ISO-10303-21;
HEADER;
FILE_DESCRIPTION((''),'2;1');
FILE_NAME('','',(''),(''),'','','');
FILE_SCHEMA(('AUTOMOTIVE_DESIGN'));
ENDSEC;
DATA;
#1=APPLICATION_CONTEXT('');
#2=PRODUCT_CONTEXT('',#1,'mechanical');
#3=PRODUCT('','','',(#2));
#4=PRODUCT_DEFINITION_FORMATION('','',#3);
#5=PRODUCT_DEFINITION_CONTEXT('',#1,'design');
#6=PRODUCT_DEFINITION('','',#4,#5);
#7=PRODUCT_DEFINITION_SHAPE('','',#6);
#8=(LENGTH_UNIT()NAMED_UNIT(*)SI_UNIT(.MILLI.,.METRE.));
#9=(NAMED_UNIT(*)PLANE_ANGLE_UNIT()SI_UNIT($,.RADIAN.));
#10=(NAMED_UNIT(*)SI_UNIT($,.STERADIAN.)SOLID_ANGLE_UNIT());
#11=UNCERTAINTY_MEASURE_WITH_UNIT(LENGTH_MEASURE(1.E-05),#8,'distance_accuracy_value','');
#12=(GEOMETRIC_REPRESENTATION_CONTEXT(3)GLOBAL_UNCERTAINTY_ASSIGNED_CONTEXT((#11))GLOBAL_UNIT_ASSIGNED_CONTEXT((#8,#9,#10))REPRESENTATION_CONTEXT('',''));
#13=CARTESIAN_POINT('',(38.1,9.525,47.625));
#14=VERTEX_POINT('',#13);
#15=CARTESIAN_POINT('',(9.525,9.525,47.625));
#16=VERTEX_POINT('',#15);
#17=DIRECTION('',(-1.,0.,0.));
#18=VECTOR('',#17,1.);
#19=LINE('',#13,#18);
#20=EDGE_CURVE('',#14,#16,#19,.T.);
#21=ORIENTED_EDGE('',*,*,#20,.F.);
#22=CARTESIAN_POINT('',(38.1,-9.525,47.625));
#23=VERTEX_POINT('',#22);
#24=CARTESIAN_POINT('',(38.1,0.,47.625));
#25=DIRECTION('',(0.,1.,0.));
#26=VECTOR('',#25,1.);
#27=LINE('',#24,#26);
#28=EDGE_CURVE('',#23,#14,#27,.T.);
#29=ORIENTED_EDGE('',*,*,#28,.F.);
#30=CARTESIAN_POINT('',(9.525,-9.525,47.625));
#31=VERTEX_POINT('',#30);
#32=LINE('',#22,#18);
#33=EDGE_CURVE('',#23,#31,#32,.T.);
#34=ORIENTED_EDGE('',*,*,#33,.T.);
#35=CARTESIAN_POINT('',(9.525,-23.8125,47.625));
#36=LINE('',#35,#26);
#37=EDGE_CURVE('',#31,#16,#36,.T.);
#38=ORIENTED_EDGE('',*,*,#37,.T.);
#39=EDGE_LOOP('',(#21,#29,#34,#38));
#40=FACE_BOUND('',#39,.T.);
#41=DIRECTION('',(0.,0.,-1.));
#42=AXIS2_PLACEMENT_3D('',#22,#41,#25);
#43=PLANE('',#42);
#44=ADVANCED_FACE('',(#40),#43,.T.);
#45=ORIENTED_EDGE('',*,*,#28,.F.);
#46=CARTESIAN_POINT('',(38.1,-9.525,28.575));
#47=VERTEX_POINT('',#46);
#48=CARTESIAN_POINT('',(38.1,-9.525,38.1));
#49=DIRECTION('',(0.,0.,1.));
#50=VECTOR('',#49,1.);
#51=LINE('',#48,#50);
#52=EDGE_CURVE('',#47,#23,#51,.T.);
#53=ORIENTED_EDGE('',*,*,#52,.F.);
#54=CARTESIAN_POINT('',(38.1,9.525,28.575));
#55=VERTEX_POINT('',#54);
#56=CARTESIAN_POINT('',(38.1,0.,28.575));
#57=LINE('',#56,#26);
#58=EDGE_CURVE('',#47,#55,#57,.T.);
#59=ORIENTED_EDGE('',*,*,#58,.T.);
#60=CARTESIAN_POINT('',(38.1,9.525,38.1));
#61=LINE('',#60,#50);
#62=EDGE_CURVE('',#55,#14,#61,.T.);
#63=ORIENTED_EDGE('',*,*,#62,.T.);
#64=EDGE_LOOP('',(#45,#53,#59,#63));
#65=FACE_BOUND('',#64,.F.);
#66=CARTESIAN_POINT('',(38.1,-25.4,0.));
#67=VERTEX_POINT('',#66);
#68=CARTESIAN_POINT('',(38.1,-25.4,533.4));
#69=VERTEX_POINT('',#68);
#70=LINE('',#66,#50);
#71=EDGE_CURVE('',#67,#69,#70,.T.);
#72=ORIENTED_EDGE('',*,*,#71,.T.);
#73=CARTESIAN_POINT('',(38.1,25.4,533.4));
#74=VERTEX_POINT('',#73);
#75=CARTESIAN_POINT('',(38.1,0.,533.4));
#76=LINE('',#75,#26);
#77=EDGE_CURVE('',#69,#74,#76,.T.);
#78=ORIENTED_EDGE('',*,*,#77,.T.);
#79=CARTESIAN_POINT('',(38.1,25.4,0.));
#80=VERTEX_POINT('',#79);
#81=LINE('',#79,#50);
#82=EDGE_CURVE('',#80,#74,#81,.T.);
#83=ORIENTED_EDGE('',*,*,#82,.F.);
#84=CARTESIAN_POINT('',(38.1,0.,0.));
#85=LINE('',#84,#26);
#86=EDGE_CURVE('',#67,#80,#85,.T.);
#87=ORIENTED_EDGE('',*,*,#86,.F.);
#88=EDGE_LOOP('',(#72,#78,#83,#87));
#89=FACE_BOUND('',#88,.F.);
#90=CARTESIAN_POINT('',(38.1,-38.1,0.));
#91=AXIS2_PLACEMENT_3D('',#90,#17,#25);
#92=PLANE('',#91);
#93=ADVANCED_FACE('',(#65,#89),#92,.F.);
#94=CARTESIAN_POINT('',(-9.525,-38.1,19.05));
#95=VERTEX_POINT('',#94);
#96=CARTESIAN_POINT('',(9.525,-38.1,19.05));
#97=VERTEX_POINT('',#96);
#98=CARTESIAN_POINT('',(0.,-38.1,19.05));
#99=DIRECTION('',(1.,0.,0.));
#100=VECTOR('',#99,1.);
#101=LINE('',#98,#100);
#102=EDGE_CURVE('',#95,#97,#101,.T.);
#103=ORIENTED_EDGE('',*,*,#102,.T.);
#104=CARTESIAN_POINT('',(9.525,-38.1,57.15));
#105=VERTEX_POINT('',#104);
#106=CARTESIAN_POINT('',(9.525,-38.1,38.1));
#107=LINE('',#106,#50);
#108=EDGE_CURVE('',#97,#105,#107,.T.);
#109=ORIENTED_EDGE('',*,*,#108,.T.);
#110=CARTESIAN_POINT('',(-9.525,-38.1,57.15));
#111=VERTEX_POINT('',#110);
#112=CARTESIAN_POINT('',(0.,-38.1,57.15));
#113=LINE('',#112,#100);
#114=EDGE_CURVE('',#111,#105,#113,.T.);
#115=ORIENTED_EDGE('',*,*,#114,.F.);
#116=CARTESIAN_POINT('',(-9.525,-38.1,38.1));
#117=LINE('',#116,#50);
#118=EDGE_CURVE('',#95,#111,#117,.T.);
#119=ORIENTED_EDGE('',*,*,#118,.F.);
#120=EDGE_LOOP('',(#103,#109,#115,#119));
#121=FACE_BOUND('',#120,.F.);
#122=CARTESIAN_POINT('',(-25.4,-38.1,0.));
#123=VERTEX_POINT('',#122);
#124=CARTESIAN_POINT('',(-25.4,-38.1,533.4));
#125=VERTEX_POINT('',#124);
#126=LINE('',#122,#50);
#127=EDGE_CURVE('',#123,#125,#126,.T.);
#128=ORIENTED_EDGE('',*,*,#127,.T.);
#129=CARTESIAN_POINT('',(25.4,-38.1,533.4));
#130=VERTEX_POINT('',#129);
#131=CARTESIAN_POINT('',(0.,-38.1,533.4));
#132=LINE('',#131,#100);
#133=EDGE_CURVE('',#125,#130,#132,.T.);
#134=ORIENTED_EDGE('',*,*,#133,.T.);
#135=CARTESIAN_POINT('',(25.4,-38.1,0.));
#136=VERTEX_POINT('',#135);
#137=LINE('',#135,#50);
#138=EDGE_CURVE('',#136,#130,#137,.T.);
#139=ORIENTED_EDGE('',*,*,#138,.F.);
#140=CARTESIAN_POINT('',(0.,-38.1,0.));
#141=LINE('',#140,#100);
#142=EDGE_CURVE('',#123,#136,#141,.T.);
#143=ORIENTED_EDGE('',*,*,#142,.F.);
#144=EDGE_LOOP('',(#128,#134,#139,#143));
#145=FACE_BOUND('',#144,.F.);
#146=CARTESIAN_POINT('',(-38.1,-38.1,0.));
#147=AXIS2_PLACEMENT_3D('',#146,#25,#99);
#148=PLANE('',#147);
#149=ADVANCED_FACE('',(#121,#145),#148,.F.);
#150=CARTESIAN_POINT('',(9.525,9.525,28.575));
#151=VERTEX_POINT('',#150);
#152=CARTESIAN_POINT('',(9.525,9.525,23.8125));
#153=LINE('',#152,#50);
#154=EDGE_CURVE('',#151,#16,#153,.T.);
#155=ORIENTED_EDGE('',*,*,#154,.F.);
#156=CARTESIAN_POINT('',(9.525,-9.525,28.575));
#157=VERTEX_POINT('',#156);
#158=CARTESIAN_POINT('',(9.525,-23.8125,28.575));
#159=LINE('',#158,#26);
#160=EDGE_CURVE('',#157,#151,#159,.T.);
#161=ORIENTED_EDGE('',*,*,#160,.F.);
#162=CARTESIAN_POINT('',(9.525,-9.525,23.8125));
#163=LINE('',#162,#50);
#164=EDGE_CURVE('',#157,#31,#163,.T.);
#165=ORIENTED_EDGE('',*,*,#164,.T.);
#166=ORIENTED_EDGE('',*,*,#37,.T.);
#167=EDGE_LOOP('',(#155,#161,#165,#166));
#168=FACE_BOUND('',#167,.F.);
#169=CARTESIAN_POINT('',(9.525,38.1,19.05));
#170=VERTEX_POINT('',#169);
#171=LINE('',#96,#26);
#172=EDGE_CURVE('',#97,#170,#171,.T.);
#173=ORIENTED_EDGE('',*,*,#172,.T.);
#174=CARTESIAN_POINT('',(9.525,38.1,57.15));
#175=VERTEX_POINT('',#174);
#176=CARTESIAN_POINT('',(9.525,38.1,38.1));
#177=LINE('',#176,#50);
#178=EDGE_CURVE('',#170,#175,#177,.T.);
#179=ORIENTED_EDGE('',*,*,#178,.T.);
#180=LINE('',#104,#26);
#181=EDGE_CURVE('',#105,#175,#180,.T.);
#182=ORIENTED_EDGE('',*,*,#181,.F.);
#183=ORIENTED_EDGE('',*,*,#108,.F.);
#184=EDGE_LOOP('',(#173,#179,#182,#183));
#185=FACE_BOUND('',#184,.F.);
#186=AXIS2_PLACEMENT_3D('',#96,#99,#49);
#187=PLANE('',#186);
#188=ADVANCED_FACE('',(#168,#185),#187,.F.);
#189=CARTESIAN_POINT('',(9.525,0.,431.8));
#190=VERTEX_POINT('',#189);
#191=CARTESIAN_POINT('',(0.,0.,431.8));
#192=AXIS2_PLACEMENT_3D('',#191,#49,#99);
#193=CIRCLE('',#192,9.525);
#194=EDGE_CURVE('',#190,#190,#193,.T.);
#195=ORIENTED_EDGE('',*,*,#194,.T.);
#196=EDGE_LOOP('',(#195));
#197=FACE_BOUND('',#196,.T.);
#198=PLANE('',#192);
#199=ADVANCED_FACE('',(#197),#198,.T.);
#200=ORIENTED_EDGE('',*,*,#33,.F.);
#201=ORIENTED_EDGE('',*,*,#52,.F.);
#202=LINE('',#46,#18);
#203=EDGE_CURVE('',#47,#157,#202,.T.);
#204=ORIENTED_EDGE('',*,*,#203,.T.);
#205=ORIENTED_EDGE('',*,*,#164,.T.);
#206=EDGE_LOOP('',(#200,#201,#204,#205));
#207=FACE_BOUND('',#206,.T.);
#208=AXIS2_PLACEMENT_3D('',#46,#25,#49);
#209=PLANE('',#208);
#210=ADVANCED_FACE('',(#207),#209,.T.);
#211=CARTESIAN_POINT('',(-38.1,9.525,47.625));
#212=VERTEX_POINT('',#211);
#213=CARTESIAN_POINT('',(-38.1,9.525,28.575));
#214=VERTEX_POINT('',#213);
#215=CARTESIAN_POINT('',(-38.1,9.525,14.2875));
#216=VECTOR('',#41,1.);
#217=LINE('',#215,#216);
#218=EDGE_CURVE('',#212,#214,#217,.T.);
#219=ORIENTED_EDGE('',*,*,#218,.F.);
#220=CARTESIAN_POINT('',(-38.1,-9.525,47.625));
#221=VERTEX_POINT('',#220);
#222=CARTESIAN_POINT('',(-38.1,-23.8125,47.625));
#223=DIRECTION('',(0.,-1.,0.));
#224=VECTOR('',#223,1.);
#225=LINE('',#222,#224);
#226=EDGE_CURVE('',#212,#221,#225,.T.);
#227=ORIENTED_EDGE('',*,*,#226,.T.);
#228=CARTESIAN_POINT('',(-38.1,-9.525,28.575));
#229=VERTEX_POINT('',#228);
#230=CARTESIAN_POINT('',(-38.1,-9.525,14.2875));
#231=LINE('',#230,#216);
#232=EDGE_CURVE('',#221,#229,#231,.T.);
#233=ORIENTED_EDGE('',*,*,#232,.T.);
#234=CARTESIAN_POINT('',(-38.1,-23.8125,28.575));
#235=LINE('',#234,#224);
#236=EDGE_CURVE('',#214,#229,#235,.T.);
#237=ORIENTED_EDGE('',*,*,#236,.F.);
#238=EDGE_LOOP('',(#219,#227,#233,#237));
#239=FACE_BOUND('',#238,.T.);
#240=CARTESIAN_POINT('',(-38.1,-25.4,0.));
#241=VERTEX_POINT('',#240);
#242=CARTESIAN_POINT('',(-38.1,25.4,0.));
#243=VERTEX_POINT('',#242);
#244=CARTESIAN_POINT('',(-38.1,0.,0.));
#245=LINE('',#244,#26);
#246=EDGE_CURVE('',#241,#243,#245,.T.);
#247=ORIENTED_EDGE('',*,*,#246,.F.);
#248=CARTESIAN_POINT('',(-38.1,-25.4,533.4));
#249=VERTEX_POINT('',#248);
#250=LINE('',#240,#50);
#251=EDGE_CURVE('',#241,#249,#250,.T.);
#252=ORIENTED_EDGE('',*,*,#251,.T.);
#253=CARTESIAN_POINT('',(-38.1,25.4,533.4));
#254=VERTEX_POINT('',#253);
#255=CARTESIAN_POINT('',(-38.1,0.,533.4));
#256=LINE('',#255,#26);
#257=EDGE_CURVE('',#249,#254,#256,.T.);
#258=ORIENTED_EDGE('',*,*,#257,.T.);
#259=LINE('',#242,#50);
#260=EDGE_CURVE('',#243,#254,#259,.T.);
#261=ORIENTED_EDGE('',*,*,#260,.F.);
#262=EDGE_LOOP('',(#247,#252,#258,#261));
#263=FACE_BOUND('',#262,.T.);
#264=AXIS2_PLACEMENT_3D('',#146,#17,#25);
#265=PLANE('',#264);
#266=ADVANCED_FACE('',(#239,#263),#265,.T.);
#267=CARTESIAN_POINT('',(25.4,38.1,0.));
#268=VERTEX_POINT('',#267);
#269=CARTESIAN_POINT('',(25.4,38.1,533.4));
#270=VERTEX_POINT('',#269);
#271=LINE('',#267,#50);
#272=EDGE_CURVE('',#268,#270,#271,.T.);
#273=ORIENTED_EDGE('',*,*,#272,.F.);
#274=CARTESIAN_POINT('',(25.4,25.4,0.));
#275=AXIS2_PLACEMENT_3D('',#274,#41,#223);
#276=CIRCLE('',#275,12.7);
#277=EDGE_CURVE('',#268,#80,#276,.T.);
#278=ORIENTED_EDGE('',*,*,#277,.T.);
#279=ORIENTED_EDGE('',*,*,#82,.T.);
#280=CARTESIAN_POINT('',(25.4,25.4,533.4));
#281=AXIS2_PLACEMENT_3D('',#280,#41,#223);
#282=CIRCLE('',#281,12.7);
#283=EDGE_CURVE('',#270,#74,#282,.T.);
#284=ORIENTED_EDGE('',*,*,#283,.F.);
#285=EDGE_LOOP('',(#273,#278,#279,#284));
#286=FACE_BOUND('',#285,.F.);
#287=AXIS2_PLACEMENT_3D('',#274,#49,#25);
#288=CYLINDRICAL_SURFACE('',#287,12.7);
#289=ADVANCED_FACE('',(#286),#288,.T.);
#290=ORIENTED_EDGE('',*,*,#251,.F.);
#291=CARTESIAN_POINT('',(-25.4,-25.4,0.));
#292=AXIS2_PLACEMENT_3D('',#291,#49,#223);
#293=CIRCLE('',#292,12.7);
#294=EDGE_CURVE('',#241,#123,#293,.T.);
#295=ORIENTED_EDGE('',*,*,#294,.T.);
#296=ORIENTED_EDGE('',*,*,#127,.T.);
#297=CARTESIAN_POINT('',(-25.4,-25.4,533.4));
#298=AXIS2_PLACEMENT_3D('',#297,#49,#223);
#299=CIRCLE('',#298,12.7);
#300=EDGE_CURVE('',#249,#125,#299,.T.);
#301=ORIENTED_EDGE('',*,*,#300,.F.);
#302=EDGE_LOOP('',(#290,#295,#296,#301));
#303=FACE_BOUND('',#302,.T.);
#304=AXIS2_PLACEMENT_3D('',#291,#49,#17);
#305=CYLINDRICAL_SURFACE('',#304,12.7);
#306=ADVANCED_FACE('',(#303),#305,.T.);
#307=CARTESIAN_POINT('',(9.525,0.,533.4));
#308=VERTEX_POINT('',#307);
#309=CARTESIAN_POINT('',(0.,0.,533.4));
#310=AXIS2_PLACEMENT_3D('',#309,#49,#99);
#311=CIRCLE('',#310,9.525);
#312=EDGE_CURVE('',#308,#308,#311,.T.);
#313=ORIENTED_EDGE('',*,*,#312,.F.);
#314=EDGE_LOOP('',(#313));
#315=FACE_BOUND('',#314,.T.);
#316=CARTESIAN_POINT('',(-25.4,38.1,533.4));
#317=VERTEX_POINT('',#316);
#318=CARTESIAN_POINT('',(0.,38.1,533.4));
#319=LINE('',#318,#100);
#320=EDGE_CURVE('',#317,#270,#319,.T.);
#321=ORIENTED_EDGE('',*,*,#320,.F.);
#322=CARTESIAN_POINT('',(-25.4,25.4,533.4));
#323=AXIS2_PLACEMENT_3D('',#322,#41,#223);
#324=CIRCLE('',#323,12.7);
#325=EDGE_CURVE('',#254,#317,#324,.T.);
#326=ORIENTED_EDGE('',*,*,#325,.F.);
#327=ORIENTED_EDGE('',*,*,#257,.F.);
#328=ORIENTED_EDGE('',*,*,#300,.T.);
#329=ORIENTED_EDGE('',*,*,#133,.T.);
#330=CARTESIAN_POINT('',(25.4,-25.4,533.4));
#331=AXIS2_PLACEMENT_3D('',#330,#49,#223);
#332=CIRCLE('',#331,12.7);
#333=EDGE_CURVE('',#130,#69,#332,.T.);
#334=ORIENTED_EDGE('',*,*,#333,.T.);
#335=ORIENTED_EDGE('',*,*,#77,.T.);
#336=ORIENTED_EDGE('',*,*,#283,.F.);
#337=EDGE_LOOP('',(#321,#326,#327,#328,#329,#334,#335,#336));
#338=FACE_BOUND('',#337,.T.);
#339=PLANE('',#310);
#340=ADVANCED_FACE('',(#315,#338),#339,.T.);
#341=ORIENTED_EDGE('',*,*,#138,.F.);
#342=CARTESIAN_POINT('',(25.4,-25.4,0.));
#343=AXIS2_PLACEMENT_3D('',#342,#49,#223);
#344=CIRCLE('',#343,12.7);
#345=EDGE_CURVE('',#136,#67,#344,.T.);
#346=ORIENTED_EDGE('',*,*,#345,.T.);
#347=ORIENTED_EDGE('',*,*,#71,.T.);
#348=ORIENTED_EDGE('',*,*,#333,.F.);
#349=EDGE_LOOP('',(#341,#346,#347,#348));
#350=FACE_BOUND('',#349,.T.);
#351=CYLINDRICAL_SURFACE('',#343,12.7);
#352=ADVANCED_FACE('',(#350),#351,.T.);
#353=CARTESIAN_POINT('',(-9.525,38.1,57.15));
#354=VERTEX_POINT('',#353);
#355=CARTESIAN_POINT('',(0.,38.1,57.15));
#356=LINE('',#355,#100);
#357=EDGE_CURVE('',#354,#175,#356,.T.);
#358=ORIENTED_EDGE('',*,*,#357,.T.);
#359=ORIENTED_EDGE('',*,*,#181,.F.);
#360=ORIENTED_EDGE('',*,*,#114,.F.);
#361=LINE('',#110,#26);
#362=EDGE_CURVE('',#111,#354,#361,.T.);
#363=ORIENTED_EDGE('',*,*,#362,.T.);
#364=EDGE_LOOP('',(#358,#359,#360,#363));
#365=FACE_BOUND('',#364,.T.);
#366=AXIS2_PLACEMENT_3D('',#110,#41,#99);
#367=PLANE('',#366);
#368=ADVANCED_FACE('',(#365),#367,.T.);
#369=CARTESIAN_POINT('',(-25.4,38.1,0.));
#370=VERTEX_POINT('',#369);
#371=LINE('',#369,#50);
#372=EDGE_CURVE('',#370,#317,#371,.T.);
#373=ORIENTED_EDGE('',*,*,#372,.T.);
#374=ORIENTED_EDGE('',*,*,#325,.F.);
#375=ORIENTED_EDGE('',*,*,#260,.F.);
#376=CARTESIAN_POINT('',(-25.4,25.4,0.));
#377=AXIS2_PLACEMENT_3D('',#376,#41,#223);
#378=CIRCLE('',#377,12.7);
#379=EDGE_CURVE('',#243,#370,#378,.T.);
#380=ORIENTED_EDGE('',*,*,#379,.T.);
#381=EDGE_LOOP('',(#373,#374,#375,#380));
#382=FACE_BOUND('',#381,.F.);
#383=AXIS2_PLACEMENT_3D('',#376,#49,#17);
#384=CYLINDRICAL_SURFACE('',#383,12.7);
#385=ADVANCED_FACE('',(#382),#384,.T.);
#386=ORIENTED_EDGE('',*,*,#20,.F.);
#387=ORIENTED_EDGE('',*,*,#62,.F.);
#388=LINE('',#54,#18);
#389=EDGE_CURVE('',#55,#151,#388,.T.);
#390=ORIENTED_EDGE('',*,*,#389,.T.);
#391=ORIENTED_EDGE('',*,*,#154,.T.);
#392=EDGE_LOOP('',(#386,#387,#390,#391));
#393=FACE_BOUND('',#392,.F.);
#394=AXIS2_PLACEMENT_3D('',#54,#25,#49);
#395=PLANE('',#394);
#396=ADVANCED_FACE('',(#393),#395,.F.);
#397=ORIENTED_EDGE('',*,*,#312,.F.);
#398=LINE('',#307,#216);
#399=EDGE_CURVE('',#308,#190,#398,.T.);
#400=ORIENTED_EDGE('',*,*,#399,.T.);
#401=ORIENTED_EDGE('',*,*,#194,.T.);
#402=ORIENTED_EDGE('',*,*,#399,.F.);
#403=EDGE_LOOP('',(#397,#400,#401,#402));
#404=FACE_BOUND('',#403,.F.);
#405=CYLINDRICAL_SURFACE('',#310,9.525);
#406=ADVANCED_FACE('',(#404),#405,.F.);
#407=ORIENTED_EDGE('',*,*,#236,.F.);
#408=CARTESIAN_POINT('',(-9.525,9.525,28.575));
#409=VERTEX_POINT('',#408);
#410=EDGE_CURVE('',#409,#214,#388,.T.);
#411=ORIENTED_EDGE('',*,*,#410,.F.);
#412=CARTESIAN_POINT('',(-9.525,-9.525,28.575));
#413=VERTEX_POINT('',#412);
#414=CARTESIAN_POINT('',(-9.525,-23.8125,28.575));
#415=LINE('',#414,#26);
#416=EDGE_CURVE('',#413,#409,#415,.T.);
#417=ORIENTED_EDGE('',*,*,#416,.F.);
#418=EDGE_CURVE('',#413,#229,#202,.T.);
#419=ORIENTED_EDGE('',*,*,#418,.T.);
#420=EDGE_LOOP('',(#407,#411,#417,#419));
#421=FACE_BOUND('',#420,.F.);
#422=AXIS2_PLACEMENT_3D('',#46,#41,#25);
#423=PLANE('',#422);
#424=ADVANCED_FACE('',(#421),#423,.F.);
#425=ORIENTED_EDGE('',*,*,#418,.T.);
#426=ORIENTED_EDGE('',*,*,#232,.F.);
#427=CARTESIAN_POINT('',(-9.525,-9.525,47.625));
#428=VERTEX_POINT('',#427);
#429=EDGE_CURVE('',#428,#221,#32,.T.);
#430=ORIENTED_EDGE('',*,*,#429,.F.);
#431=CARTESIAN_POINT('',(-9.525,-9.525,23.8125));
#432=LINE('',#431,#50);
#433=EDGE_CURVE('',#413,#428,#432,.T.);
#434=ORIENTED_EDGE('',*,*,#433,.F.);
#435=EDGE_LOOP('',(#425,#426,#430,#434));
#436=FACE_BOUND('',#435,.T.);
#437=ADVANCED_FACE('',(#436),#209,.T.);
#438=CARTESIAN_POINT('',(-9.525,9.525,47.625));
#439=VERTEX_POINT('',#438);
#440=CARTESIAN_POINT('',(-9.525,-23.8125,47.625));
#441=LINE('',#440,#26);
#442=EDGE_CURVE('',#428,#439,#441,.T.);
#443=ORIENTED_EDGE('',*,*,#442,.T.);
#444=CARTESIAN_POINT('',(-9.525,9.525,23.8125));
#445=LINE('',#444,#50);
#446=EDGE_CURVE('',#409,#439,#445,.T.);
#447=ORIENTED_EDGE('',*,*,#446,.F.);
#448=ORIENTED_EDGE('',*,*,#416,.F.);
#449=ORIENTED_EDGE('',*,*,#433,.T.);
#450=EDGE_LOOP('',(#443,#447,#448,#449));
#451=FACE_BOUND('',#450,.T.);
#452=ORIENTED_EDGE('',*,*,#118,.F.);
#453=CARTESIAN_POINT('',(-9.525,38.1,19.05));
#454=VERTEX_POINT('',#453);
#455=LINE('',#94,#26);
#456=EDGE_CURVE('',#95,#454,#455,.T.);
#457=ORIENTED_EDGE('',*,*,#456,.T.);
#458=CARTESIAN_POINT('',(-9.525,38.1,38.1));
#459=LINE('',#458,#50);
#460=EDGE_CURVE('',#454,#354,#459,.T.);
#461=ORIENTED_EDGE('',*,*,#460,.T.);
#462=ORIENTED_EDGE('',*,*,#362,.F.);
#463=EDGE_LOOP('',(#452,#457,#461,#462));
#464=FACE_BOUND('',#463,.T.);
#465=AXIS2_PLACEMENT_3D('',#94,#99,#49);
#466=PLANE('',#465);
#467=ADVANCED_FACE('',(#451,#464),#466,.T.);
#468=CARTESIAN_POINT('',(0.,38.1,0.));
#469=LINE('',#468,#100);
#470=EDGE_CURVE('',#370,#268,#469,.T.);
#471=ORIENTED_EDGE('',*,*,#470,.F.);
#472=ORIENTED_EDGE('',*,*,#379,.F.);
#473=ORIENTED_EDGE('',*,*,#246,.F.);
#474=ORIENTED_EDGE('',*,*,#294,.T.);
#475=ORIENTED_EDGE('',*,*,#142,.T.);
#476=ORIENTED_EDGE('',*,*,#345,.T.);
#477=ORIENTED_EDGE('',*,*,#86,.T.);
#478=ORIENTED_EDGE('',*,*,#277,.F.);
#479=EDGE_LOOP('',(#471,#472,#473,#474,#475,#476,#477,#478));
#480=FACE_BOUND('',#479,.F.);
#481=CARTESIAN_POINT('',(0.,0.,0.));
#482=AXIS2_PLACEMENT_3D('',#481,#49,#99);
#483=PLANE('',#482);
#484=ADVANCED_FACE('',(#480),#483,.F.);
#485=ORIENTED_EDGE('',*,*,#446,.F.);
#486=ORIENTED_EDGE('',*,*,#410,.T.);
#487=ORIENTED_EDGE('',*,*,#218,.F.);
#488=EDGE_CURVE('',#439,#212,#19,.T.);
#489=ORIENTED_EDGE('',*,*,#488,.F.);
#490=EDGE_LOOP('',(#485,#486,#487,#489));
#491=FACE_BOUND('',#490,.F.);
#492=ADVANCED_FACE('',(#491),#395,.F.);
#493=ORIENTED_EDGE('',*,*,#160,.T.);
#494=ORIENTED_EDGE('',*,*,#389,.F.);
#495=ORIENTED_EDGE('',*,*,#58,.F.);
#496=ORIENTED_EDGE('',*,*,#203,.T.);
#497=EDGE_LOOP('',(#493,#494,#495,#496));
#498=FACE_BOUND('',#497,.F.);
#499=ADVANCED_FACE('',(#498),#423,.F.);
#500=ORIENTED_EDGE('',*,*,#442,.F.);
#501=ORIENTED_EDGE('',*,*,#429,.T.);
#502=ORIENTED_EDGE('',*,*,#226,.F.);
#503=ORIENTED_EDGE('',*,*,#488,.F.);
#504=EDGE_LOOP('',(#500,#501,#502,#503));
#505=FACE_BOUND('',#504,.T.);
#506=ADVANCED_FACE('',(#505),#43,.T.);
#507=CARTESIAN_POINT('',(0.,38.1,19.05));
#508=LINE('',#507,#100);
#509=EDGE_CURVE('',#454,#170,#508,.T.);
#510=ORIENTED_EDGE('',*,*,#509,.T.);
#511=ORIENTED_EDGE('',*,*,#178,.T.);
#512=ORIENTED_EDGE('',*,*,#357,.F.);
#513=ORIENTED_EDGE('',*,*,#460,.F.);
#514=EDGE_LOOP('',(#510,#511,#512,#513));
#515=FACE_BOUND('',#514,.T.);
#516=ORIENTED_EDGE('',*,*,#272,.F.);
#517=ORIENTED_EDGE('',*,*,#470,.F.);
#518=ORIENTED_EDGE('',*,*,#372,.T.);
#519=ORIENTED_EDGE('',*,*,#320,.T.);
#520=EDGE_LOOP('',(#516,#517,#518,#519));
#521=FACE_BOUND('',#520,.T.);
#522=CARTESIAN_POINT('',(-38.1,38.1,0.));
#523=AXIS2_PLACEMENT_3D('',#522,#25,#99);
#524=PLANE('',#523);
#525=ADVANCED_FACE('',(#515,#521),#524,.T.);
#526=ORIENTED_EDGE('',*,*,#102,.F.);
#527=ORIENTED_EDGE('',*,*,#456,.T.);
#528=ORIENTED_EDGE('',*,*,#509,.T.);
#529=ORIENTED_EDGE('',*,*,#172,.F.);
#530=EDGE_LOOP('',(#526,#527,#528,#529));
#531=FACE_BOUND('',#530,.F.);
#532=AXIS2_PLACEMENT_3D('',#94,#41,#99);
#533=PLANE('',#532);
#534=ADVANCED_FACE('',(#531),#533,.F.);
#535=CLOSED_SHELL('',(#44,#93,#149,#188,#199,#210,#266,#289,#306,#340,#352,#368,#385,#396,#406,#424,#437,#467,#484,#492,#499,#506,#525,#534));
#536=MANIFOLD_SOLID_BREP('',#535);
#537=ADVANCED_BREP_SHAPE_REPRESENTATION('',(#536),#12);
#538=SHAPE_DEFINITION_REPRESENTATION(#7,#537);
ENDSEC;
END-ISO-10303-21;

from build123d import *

# Parameters (mm, degrees)
F0_W     = 76.2
F0_H     = 76.2
F1_DEPTH = 533.4
F2_R     = 9.525
F3_DEPTH = 101.6
F4_W     = 19.05
F4_H     = 38.1
F5_DEPTH = 76.2
F6_W     = 19.05
F6_H     = 19.05
F7_DEPTH = 76.201
F8_R     = 12.7


with BuildPart() as f1:
    # F0 (on Top) → F1 (new body)
    with BuildSketch(Plane.XY):
        Rectangle(F0_W, F0_H)
    extrude(amount=F1_DEPTH)

    # F2 (on face) → F3 (cut)
    with BuildSketch(Plane.XY.offset(533.4)):
        Circle(F2_R)
    extrude(amount=-F3_DEPTH, mode=Mode.SUBTRACT)

    # F4 (on face) → F5 (cut, through all)
    with BuildSketch(Plane.XZ.offset(38.1)):
        with Locations((0, 38.1)):
            Rectangle(F4_W, F4_H)
    extrude(amount=-F5_DEPTH, mode=Mode.SUBTRACT)

    # F6 (on face) → F7 (cut, through all)
    with BuildSketch(Plane.YZ.offset(38.1)):
        with Locations((0, 38.1)):
            Rectangle(F6_W, F6_H)
    extrude(amount=-F7_DEPTH, mode=Mode.SUBTRACT)

    # F8
    f8_edges = [f1.edges().sort_by_distance(p)[0] for p in [
        (-38.1, -38.1, 266.7),
        (38.1, -38.1, 266.7),
        (38.1, 38.1, 266.7),
        (-38.1, 38.1, 266.7),
    ]]
    fillet(f8_edges, radius=F8_R)


solid = f1.part
